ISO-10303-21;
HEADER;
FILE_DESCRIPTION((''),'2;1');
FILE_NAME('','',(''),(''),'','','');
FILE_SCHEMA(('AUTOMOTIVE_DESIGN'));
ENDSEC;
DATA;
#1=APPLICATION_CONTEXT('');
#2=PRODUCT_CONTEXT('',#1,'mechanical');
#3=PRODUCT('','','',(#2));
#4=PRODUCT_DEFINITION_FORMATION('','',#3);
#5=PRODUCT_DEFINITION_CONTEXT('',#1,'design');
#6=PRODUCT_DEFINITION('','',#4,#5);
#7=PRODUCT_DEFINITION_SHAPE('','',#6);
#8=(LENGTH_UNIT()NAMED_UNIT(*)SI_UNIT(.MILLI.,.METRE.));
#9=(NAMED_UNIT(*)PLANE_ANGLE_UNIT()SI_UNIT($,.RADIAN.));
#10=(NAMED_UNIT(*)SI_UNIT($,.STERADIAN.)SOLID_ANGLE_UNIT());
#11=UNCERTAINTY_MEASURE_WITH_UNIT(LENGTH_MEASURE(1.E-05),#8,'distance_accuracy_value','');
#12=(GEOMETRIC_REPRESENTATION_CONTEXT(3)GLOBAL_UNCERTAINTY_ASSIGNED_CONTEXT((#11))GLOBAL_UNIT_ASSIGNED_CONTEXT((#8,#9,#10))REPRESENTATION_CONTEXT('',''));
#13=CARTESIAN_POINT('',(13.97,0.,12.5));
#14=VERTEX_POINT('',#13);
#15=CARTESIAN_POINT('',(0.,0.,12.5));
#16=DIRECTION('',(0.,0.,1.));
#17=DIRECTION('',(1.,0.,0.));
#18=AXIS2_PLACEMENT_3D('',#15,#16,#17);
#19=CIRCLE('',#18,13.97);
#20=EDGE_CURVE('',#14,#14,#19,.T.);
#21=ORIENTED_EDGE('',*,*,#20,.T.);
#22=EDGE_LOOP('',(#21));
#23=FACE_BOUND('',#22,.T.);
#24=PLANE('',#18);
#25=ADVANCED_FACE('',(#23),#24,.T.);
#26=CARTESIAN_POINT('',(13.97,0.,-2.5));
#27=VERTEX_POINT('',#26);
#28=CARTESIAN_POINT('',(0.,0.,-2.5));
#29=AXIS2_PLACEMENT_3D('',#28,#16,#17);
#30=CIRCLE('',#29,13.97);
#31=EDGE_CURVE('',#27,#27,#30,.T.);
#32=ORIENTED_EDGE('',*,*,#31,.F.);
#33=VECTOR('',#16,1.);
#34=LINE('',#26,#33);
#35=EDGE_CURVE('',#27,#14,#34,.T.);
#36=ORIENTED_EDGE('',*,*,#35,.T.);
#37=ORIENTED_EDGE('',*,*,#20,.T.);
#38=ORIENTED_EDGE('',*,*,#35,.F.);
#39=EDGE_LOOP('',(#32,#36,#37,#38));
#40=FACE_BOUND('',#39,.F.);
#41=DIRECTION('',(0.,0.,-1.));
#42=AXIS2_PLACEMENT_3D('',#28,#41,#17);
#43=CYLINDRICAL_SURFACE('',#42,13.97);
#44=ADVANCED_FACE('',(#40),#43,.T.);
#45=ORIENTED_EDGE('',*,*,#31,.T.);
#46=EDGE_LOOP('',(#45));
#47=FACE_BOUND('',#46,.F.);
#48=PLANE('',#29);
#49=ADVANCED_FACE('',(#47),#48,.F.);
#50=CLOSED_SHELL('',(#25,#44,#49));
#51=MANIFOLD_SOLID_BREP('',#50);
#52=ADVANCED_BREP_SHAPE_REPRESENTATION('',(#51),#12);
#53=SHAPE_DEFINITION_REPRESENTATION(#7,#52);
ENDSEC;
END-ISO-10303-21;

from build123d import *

# Parameters (mm, degrees)
CYLINDER_R     = 13.97
CYLINDER_DEPTH = 15


with BuildPart() as part:
    # Cylinder → Cylinder (new body)
    with BuildSketch(Plane.XY.offset(-2.5)):
        Circle(CYLINDER_R)
    extrude(amount=CYLINDER_DEPTH)


solid = part.part
